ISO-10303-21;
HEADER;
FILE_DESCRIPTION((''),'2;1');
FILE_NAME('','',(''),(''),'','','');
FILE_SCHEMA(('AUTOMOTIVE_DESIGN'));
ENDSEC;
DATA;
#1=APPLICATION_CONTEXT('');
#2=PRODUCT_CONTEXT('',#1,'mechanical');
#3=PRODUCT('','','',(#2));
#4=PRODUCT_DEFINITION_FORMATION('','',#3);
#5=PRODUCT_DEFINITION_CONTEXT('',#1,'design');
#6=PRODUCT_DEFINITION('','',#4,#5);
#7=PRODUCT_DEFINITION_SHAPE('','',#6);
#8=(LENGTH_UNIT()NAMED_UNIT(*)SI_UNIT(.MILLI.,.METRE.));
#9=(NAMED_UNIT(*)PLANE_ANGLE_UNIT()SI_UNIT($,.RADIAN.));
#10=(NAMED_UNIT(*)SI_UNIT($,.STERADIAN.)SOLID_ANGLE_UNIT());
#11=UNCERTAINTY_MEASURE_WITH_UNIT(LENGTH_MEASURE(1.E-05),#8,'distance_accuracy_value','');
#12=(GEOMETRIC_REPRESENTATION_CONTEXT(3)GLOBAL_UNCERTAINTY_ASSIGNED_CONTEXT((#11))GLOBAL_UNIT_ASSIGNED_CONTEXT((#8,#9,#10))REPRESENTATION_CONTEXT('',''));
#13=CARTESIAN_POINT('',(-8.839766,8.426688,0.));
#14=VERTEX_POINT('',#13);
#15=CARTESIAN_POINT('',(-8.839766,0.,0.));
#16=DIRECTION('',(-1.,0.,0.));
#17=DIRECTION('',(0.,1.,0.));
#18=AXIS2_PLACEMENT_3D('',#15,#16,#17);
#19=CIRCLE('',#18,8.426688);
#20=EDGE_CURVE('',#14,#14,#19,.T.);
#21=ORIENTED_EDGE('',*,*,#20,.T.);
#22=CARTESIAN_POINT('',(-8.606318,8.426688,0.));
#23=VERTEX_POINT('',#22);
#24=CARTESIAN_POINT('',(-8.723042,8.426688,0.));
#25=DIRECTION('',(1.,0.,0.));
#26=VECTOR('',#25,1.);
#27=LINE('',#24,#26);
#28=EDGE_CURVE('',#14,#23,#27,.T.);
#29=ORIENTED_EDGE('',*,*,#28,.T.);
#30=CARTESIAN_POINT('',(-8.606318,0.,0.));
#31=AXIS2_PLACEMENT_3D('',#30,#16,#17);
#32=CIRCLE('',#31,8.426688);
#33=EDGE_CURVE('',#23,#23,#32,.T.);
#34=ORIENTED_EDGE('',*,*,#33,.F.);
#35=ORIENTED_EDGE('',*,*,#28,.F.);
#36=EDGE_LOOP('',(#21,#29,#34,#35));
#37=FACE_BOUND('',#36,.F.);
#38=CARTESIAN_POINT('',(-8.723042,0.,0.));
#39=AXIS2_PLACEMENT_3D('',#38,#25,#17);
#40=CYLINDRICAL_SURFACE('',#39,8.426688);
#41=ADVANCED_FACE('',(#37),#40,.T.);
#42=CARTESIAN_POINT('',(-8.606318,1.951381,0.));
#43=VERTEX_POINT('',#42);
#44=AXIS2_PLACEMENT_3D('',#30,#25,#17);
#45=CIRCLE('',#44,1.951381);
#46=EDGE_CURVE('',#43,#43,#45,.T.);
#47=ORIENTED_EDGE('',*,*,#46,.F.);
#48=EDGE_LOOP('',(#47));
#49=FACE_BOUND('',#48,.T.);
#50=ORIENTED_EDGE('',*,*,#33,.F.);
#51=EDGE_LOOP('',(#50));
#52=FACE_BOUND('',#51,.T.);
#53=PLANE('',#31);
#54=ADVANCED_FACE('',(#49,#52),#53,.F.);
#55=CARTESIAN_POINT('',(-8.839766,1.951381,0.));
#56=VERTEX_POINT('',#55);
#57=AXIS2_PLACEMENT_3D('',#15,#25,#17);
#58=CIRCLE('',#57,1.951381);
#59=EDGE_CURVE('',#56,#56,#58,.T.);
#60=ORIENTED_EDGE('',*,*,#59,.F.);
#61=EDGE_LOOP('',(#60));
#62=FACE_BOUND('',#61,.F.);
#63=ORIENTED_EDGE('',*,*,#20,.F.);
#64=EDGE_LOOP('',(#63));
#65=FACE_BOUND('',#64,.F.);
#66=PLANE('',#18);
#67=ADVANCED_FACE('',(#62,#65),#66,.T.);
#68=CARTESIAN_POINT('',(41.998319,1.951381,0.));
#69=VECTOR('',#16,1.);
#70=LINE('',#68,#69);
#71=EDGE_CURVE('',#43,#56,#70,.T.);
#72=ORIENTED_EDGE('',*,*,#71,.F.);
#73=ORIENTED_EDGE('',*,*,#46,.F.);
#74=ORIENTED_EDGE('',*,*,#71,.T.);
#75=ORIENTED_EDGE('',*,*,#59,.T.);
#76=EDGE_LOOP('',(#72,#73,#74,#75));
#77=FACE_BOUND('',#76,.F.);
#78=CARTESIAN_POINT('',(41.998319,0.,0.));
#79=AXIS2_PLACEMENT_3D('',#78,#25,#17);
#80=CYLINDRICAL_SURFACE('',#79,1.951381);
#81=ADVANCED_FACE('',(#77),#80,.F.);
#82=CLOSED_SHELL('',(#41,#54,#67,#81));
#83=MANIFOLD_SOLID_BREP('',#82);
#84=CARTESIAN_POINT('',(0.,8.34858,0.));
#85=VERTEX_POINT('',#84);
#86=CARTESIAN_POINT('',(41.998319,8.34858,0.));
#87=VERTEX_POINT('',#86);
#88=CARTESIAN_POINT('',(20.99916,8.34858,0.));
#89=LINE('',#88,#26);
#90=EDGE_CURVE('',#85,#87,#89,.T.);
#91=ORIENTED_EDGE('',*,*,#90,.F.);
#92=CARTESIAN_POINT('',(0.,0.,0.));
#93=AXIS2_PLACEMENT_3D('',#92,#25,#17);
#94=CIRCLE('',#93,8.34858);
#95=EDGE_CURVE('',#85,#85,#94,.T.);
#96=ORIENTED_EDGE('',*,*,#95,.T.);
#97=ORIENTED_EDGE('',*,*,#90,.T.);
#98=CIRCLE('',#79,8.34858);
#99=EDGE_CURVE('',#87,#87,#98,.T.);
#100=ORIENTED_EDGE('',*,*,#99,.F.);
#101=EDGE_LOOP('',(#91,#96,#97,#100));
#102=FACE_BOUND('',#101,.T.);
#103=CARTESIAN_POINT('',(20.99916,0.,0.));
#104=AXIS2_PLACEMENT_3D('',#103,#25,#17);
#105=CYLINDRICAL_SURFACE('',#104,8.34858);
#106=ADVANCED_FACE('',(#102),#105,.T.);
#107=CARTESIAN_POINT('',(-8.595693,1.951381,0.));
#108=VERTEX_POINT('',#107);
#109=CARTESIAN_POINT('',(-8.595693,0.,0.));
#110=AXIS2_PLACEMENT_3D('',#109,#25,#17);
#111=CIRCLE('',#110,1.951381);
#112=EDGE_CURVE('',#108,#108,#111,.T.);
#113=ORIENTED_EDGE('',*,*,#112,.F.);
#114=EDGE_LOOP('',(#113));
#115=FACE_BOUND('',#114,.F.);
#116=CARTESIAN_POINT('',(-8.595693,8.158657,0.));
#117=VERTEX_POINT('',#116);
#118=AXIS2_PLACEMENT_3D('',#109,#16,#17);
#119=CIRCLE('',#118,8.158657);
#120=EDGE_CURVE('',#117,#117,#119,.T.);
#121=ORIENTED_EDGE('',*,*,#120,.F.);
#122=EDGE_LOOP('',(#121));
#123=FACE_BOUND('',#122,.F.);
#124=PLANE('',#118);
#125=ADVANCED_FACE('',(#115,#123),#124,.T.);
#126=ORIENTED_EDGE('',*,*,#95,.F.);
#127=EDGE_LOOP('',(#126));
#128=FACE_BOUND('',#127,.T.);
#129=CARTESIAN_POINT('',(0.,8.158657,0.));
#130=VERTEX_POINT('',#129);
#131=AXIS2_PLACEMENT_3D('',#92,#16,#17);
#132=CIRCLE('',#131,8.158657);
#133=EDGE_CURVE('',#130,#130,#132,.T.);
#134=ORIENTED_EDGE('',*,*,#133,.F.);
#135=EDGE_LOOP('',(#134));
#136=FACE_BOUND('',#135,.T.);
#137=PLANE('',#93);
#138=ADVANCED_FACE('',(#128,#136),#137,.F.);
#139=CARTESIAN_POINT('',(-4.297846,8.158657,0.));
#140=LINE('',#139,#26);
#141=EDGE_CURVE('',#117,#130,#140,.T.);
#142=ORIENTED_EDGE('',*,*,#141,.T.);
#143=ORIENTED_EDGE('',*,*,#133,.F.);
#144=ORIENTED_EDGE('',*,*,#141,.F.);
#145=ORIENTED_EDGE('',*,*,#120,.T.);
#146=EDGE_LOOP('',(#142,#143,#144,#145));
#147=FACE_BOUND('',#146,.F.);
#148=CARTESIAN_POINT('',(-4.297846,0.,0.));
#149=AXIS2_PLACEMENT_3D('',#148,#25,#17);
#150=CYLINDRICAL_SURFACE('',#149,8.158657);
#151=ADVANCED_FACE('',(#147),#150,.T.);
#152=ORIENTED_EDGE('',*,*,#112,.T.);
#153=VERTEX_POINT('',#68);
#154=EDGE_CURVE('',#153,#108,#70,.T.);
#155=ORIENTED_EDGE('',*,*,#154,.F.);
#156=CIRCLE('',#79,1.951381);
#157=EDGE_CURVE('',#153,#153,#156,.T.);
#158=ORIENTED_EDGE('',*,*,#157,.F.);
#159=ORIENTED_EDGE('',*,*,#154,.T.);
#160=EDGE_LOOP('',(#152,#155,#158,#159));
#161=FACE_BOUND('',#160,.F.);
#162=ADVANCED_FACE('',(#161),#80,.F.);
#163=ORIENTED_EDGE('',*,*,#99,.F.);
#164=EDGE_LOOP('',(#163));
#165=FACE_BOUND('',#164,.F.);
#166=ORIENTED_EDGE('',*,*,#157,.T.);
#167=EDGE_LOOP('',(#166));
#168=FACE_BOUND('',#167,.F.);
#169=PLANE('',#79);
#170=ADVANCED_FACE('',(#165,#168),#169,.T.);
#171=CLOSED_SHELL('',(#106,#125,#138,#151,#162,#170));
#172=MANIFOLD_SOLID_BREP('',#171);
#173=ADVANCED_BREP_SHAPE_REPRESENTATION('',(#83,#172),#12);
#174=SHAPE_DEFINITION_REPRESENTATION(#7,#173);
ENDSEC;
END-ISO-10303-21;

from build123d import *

# Parameters (mm, degrees)
F0_W     = 41.9983193278
F0_H     = 8.3485795185
F2_W     = 8.5956929252
F2_H     = 8.1586567685
F4_W     = 0.2334481105
F4_H     = 8.4266876802
F6_R     = 1.9513814008
F7_DEPTH = 54.71847


with BuildPart() as f1:
    # F0 (on Top) → F1 (revolve)
    with BuildSketch(Plane.XY):
        with Locations((20.9991596639, 4.1742897592)):
            Rectangle(F0_W, F0_H)
    revolve(axis=Axis((20.9991596639, 0, 0), (1, 0, 0)))

    # F2 (on Top) → F3 (revolve)
    with BuildSketch(Plane.XY):
        with Locations((-4.2978464626, 4.0793283843)):
            Rectangle(F2_W, F2_H)
    revolve(axis=Axis((-4.2978464626, 0, 0), (-1, 0, 0)))


with BuildPart() as f5:
    # F4 (on Top) → F5 (revolve)
    with BuildSketch(Plane.XY):
        with Locations((-8.7230424397, 4.2133438401)):
            Rectangle(F4_W, F4_H)
    revolve(axis=Axis((-8.7230424397, 0, 0), (-1, 0, 0)))


with BuildPart() as f7_tool:
    # F6 (on face) → F7 (new body)
    with BuildSketch(Plane.YZ.offset(41.9983193278)):
        Circle(F6_R)
    extrude(amount=-F7_DEPTH)


with BuildPart() as f1_1:
    add(f1.part)

    # F7: cut by f7_tool
    add(f7_tool.part, mode=Mode.SUBTRACT)


with BuildPart() as f5_1:
    add(f5.part)

    # F7: cut by f7_tool
    add(f7_tool.part, mode=Mode.SUBTRACT)


solid = Compound([f1_1.part, f5_1.part])
